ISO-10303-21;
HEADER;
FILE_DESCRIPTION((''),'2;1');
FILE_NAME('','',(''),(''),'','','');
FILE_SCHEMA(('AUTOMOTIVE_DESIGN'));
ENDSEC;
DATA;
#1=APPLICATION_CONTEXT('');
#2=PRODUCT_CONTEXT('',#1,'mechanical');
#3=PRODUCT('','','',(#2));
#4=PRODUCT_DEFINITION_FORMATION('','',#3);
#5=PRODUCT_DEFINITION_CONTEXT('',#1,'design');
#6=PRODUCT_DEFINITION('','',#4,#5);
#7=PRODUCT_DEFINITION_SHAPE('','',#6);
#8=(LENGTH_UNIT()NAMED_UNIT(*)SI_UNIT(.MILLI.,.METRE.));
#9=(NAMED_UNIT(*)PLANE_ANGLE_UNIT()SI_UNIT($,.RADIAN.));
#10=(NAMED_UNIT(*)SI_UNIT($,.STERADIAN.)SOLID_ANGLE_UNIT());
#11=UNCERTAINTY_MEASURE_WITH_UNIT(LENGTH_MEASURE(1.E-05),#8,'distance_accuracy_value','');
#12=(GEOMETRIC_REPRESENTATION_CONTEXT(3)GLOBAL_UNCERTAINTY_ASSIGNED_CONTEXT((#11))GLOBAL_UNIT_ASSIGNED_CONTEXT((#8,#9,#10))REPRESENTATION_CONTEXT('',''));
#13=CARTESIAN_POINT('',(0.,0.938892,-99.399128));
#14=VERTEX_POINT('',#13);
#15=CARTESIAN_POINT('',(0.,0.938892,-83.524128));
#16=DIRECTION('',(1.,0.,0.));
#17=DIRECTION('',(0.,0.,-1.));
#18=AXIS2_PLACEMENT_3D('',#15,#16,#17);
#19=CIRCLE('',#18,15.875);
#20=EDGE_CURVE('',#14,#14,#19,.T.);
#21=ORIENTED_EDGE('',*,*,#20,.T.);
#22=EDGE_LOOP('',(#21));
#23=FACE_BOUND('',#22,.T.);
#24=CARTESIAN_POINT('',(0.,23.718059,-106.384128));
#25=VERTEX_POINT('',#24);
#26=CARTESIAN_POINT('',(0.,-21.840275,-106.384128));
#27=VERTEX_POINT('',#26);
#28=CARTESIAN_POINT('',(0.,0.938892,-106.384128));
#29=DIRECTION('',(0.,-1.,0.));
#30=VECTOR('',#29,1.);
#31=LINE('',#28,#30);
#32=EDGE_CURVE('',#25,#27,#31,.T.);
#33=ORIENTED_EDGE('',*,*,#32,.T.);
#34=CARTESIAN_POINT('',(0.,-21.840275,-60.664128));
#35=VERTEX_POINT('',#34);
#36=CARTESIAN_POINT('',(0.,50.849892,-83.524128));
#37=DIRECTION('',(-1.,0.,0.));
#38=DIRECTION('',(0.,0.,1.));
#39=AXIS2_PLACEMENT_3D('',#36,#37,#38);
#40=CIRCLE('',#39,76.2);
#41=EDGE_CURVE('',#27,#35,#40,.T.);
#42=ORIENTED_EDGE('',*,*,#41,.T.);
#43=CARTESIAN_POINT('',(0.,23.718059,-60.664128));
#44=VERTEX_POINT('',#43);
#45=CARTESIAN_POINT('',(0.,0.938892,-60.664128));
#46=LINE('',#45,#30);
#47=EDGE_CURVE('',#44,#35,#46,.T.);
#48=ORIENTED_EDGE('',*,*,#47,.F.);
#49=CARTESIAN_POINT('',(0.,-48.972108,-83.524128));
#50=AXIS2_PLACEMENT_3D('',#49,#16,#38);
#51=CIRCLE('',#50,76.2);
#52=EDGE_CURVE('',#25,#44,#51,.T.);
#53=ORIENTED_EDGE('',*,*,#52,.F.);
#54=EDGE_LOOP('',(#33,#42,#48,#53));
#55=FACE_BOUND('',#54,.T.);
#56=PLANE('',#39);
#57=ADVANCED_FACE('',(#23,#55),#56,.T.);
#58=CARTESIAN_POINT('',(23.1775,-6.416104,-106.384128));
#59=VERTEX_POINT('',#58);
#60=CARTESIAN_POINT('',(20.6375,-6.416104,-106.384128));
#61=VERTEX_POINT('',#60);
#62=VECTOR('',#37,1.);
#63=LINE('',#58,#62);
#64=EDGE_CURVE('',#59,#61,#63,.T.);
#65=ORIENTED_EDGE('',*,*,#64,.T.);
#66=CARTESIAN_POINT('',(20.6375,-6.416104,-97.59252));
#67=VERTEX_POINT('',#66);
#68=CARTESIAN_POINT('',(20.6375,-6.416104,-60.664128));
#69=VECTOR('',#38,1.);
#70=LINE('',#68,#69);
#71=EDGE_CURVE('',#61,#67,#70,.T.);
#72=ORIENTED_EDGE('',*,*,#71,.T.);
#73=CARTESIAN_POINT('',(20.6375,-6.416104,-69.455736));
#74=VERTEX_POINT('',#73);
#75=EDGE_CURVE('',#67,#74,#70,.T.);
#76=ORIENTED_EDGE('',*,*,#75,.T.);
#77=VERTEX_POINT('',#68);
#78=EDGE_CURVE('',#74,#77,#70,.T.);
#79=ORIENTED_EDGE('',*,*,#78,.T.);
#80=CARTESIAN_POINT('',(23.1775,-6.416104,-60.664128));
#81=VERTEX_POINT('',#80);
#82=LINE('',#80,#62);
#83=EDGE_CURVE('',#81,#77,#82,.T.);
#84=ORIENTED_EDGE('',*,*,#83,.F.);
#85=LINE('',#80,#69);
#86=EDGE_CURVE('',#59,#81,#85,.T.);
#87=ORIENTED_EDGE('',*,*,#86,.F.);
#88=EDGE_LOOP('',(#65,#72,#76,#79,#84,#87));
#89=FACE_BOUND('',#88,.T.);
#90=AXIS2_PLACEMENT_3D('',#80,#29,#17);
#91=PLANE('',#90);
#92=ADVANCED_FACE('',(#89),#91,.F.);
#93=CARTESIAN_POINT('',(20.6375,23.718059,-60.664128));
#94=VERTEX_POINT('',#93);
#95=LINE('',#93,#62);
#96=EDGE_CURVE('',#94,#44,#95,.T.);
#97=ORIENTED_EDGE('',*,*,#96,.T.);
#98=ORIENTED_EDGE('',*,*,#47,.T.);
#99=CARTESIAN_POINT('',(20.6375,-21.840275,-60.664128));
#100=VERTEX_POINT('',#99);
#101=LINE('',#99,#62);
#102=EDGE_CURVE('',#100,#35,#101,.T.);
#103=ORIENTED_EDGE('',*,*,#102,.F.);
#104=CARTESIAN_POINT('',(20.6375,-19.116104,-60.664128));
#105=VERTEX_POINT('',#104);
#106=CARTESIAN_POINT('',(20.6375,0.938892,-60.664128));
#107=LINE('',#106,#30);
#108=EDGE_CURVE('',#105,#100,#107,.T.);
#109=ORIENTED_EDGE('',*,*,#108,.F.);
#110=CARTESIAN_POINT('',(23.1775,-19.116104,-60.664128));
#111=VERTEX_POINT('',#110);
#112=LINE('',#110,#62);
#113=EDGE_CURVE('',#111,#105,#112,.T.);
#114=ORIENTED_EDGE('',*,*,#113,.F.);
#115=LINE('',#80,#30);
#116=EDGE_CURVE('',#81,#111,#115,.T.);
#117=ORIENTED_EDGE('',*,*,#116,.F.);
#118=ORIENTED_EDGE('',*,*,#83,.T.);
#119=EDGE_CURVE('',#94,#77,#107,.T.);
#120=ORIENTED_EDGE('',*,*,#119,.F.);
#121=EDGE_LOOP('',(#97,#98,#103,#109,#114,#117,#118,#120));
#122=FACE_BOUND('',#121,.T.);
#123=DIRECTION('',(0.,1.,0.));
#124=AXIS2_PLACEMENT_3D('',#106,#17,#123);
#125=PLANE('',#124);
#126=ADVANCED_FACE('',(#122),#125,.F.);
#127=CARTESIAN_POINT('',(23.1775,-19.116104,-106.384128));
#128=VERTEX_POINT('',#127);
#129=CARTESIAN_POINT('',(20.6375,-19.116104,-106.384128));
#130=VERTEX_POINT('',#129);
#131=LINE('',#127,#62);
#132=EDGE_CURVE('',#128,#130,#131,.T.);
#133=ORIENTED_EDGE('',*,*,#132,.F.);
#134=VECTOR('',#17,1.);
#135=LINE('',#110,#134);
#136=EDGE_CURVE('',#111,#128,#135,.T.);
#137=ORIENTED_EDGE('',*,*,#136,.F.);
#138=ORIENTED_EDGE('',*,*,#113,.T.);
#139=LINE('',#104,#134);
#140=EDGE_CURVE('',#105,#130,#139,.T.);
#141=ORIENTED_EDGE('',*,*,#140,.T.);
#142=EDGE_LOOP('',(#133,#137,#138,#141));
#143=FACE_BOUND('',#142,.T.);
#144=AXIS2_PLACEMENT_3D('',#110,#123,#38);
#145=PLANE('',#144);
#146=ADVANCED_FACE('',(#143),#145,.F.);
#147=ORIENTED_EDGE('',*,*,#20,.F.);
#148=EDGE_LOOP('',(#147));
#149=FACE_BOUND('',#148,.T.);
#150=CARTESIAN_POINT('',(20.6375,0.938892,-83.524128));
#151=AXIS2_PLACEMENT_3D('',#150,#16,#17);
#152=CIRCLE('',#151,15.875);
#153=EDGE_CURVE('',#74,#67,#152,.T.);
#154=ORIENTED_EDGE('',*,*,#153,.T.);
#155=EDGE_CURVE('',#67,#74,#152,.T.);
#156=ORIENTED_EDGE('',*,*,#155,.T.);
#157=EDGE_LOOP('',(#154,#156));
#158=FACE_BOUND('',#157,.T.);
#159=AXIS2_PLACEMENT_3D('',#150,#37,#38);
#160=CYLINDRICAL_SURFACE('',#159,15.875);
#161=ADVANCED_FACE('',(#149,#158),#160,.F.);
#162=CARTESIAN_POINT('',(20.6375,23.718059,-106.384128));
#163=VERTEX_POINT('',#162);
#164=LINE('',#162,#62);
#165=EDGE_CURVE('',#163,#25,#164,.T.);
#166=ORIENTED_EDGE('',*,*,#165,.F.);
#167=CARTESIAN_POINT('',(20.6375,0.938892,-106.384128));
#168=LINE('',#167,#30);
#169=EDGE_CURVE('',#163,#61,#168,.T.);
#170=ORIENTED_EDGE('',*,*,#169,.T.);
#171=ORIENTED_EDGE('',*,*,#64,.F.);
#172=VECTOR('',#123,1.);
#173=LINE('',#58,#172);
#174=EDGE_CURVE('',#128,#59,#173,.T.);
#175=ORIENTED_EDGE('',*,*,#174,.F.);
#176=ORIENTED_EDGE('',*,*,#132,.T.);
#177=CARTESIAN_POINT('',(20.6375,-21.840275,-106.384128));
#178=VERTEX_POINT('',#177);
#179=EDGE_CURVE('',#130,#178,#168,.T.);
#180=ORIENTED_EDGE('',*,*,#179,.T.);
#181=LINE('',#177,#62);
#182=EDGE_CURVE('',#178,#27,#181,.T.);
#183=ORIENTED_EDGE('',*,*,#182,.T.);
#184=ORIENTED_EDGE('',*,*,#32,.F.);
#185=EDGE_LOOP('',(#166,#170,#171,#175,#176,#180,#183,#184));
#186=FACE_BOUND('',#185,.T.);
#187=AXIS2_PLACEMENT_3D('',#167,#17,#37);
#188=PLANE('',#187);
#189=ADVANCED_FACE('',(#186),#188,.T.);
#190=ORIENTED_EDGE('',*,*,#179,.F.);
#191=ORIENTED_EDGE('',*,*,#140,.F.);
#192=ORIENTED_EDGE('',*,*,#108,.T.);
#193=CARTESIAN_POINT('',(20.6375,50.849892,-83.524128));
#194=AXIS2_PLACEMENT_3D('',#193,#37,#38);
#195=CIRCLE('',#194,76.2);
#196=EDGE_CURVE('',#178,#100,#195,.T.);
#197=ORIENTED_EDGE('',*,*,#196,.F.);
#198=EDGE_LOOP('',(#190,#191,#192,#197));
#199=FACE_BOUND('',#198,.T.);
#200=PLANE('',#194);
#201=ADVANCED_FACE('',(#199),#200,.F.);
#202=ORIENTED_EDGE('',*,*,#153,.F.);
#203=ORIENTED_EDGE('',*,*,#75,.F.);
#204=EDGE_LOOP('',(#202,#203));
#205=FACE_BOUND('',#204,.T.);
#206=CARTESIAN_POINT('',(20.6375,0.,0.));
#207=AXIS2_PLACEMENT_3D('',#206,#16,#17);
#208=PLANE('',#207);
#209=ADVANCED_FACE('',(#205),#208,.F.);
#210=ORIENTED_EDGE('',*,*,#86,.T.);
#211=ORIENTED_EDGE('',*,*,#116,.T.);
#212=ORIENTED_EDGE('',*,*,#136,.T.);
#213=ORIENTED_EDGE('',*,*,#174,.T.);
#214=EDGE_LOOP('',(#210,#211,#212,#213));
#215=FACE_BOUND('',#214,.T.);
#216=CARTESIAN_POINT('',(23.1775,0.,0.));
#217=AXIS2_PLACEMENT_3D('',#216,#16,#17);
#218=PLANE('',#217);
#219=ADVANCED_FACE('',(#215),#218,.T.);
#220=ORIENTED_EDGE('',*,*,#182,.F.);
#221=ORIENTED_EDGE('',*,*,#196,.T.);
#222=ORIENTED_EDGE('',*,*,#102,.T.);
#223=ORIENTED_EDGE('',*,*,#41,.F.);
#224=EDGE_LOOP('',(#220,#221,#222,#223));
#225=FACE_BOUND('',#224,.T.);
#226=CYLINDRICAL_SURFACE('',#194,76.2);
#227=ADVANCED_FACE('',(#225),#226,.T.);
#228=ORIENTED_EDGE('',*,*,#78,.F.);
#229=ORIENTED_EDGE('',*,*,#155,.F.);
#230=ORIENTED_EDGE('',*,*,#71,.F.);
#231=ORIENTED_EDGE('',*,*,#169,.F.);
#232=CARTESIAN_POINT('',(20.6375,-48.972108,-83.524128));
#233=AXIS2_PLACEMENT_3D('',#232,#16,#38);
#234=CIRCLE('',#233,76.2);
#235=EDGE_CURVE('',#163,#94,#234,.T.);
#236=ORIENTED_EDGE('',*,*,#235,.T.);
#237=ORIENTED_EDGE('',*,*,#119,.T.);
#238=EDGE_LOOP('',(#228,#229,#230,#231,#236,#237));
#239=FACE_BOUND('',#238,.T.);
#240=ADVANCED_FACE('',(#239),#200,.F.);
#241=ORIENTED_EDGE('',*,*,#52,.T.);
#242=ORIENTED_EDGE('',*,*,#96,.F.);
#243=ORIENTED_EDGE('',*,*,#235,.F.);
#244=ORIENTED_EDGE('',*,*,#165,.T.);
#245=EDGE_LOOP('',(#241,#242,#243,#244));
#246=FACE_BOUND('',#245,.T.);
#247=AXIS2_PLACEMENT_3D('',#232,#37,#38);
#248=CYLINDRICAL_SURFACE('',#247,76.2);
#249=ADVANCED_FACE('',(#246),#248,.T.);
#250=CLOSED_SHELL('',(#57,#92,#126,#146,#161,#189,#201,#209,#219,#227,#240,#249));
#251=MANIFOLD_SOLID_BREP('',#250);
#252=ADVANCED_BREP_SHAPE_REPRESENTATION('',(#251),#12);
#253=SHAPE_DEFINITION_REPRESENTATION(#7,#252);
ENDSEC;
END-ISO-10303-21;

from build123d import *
from build123d.topology import SkipClean

# Parameters (mm, degrees)
BOSS_EXTRUDE1_DEPTH = 20.6375
CUT_EXTRUDE1_DEPTH  = 112.292933882
SKETCH3_W           = 45.72
SKETCH3_H           = 12.7
BOSS_EXTRUDE2_DEPTH = 2.54


with BuildPart() as part:
    # Sketch2 → Boss-Extrude1 (new body)
    with BuildSketch(Plane(origin=(0, 0, 0), x_dir=(0, 0, -1), z_dir=(1, 0, 0))):
        with BuildLine():
            Line((60.664128294, 0.938892053), (106.384128294, 0.938892053))
            Line((106.384128294, 0.938892053), (106.384128294, -21.840275095))
            ThreePointArc((106.384128294, -21.840275095), (83.524128294, -25.350107947), (60.664128294, -21.840275095))
            Line((60.664128294, -21.840275095), (60.664128294, 0.938892053))
        make_face()
    boss_extrude1 = extrude(amount=BOSS_EXTRUDE1_DEPTH)

    # Sketch2<5> → Cut-Extrude1 (cut, through all)
    with BuildSketch(Plane(origin=(0, 0, 0), x_dir=(0, 0, -1), z_dir=(1, 0, 0))):
        with BuildLine():
            Line((67.649128294, 0.938892053), (99.399128294, 0.938892053))
            ThreePointArc((99.399128294, 0.938892053), (83.524128294, -14.936107947), (67.649128294, 0.938892053))
        make_face()
    cut_extrude1 = extrude(amount=CUT_EXTRUDE1_DEPTH, mode=Mode.SUBTRACT)

    # Mirror4: Boss-Extrude1 across plane
    add(boss_extrude1.mirror(Plane(origin=(20.6375, 0.938892053, -60.664128294), x_dir=(0, 0, 1), z_dir=(0, 1, 0))))

    # Mirror5: Cut-Extrude1 across plane
    with SkipClean():  # the faces are left unmerged after this step: merging them gives an invalid solid
        add(cut_extrude1.mirror(Plane(origin=(20.6375, 0.938892053, -60.664128294), x_dir=(0, 0, 1), z_dir=(0, 1, 0))), mode=Mode.SUBTRACT)

    # Sketch3 → Boss-Extrude2 (add)
    with SkipClean():  # the faces are left unmerged after this step: merging them gives an invalid solid
        with BuildSketch(Plane(origin=(20.6375, 0, 0), x_dir=(0, 0, -1), z_dir=(1, 0, 0))):
            with Locations((83.524128294, -12.766104305)):
                Rectangle(SKETCH3_W, SKETCH3_H)
        extrude(amount=BOSS_EXTRUDE2_DEPTH)


solid = part.part
